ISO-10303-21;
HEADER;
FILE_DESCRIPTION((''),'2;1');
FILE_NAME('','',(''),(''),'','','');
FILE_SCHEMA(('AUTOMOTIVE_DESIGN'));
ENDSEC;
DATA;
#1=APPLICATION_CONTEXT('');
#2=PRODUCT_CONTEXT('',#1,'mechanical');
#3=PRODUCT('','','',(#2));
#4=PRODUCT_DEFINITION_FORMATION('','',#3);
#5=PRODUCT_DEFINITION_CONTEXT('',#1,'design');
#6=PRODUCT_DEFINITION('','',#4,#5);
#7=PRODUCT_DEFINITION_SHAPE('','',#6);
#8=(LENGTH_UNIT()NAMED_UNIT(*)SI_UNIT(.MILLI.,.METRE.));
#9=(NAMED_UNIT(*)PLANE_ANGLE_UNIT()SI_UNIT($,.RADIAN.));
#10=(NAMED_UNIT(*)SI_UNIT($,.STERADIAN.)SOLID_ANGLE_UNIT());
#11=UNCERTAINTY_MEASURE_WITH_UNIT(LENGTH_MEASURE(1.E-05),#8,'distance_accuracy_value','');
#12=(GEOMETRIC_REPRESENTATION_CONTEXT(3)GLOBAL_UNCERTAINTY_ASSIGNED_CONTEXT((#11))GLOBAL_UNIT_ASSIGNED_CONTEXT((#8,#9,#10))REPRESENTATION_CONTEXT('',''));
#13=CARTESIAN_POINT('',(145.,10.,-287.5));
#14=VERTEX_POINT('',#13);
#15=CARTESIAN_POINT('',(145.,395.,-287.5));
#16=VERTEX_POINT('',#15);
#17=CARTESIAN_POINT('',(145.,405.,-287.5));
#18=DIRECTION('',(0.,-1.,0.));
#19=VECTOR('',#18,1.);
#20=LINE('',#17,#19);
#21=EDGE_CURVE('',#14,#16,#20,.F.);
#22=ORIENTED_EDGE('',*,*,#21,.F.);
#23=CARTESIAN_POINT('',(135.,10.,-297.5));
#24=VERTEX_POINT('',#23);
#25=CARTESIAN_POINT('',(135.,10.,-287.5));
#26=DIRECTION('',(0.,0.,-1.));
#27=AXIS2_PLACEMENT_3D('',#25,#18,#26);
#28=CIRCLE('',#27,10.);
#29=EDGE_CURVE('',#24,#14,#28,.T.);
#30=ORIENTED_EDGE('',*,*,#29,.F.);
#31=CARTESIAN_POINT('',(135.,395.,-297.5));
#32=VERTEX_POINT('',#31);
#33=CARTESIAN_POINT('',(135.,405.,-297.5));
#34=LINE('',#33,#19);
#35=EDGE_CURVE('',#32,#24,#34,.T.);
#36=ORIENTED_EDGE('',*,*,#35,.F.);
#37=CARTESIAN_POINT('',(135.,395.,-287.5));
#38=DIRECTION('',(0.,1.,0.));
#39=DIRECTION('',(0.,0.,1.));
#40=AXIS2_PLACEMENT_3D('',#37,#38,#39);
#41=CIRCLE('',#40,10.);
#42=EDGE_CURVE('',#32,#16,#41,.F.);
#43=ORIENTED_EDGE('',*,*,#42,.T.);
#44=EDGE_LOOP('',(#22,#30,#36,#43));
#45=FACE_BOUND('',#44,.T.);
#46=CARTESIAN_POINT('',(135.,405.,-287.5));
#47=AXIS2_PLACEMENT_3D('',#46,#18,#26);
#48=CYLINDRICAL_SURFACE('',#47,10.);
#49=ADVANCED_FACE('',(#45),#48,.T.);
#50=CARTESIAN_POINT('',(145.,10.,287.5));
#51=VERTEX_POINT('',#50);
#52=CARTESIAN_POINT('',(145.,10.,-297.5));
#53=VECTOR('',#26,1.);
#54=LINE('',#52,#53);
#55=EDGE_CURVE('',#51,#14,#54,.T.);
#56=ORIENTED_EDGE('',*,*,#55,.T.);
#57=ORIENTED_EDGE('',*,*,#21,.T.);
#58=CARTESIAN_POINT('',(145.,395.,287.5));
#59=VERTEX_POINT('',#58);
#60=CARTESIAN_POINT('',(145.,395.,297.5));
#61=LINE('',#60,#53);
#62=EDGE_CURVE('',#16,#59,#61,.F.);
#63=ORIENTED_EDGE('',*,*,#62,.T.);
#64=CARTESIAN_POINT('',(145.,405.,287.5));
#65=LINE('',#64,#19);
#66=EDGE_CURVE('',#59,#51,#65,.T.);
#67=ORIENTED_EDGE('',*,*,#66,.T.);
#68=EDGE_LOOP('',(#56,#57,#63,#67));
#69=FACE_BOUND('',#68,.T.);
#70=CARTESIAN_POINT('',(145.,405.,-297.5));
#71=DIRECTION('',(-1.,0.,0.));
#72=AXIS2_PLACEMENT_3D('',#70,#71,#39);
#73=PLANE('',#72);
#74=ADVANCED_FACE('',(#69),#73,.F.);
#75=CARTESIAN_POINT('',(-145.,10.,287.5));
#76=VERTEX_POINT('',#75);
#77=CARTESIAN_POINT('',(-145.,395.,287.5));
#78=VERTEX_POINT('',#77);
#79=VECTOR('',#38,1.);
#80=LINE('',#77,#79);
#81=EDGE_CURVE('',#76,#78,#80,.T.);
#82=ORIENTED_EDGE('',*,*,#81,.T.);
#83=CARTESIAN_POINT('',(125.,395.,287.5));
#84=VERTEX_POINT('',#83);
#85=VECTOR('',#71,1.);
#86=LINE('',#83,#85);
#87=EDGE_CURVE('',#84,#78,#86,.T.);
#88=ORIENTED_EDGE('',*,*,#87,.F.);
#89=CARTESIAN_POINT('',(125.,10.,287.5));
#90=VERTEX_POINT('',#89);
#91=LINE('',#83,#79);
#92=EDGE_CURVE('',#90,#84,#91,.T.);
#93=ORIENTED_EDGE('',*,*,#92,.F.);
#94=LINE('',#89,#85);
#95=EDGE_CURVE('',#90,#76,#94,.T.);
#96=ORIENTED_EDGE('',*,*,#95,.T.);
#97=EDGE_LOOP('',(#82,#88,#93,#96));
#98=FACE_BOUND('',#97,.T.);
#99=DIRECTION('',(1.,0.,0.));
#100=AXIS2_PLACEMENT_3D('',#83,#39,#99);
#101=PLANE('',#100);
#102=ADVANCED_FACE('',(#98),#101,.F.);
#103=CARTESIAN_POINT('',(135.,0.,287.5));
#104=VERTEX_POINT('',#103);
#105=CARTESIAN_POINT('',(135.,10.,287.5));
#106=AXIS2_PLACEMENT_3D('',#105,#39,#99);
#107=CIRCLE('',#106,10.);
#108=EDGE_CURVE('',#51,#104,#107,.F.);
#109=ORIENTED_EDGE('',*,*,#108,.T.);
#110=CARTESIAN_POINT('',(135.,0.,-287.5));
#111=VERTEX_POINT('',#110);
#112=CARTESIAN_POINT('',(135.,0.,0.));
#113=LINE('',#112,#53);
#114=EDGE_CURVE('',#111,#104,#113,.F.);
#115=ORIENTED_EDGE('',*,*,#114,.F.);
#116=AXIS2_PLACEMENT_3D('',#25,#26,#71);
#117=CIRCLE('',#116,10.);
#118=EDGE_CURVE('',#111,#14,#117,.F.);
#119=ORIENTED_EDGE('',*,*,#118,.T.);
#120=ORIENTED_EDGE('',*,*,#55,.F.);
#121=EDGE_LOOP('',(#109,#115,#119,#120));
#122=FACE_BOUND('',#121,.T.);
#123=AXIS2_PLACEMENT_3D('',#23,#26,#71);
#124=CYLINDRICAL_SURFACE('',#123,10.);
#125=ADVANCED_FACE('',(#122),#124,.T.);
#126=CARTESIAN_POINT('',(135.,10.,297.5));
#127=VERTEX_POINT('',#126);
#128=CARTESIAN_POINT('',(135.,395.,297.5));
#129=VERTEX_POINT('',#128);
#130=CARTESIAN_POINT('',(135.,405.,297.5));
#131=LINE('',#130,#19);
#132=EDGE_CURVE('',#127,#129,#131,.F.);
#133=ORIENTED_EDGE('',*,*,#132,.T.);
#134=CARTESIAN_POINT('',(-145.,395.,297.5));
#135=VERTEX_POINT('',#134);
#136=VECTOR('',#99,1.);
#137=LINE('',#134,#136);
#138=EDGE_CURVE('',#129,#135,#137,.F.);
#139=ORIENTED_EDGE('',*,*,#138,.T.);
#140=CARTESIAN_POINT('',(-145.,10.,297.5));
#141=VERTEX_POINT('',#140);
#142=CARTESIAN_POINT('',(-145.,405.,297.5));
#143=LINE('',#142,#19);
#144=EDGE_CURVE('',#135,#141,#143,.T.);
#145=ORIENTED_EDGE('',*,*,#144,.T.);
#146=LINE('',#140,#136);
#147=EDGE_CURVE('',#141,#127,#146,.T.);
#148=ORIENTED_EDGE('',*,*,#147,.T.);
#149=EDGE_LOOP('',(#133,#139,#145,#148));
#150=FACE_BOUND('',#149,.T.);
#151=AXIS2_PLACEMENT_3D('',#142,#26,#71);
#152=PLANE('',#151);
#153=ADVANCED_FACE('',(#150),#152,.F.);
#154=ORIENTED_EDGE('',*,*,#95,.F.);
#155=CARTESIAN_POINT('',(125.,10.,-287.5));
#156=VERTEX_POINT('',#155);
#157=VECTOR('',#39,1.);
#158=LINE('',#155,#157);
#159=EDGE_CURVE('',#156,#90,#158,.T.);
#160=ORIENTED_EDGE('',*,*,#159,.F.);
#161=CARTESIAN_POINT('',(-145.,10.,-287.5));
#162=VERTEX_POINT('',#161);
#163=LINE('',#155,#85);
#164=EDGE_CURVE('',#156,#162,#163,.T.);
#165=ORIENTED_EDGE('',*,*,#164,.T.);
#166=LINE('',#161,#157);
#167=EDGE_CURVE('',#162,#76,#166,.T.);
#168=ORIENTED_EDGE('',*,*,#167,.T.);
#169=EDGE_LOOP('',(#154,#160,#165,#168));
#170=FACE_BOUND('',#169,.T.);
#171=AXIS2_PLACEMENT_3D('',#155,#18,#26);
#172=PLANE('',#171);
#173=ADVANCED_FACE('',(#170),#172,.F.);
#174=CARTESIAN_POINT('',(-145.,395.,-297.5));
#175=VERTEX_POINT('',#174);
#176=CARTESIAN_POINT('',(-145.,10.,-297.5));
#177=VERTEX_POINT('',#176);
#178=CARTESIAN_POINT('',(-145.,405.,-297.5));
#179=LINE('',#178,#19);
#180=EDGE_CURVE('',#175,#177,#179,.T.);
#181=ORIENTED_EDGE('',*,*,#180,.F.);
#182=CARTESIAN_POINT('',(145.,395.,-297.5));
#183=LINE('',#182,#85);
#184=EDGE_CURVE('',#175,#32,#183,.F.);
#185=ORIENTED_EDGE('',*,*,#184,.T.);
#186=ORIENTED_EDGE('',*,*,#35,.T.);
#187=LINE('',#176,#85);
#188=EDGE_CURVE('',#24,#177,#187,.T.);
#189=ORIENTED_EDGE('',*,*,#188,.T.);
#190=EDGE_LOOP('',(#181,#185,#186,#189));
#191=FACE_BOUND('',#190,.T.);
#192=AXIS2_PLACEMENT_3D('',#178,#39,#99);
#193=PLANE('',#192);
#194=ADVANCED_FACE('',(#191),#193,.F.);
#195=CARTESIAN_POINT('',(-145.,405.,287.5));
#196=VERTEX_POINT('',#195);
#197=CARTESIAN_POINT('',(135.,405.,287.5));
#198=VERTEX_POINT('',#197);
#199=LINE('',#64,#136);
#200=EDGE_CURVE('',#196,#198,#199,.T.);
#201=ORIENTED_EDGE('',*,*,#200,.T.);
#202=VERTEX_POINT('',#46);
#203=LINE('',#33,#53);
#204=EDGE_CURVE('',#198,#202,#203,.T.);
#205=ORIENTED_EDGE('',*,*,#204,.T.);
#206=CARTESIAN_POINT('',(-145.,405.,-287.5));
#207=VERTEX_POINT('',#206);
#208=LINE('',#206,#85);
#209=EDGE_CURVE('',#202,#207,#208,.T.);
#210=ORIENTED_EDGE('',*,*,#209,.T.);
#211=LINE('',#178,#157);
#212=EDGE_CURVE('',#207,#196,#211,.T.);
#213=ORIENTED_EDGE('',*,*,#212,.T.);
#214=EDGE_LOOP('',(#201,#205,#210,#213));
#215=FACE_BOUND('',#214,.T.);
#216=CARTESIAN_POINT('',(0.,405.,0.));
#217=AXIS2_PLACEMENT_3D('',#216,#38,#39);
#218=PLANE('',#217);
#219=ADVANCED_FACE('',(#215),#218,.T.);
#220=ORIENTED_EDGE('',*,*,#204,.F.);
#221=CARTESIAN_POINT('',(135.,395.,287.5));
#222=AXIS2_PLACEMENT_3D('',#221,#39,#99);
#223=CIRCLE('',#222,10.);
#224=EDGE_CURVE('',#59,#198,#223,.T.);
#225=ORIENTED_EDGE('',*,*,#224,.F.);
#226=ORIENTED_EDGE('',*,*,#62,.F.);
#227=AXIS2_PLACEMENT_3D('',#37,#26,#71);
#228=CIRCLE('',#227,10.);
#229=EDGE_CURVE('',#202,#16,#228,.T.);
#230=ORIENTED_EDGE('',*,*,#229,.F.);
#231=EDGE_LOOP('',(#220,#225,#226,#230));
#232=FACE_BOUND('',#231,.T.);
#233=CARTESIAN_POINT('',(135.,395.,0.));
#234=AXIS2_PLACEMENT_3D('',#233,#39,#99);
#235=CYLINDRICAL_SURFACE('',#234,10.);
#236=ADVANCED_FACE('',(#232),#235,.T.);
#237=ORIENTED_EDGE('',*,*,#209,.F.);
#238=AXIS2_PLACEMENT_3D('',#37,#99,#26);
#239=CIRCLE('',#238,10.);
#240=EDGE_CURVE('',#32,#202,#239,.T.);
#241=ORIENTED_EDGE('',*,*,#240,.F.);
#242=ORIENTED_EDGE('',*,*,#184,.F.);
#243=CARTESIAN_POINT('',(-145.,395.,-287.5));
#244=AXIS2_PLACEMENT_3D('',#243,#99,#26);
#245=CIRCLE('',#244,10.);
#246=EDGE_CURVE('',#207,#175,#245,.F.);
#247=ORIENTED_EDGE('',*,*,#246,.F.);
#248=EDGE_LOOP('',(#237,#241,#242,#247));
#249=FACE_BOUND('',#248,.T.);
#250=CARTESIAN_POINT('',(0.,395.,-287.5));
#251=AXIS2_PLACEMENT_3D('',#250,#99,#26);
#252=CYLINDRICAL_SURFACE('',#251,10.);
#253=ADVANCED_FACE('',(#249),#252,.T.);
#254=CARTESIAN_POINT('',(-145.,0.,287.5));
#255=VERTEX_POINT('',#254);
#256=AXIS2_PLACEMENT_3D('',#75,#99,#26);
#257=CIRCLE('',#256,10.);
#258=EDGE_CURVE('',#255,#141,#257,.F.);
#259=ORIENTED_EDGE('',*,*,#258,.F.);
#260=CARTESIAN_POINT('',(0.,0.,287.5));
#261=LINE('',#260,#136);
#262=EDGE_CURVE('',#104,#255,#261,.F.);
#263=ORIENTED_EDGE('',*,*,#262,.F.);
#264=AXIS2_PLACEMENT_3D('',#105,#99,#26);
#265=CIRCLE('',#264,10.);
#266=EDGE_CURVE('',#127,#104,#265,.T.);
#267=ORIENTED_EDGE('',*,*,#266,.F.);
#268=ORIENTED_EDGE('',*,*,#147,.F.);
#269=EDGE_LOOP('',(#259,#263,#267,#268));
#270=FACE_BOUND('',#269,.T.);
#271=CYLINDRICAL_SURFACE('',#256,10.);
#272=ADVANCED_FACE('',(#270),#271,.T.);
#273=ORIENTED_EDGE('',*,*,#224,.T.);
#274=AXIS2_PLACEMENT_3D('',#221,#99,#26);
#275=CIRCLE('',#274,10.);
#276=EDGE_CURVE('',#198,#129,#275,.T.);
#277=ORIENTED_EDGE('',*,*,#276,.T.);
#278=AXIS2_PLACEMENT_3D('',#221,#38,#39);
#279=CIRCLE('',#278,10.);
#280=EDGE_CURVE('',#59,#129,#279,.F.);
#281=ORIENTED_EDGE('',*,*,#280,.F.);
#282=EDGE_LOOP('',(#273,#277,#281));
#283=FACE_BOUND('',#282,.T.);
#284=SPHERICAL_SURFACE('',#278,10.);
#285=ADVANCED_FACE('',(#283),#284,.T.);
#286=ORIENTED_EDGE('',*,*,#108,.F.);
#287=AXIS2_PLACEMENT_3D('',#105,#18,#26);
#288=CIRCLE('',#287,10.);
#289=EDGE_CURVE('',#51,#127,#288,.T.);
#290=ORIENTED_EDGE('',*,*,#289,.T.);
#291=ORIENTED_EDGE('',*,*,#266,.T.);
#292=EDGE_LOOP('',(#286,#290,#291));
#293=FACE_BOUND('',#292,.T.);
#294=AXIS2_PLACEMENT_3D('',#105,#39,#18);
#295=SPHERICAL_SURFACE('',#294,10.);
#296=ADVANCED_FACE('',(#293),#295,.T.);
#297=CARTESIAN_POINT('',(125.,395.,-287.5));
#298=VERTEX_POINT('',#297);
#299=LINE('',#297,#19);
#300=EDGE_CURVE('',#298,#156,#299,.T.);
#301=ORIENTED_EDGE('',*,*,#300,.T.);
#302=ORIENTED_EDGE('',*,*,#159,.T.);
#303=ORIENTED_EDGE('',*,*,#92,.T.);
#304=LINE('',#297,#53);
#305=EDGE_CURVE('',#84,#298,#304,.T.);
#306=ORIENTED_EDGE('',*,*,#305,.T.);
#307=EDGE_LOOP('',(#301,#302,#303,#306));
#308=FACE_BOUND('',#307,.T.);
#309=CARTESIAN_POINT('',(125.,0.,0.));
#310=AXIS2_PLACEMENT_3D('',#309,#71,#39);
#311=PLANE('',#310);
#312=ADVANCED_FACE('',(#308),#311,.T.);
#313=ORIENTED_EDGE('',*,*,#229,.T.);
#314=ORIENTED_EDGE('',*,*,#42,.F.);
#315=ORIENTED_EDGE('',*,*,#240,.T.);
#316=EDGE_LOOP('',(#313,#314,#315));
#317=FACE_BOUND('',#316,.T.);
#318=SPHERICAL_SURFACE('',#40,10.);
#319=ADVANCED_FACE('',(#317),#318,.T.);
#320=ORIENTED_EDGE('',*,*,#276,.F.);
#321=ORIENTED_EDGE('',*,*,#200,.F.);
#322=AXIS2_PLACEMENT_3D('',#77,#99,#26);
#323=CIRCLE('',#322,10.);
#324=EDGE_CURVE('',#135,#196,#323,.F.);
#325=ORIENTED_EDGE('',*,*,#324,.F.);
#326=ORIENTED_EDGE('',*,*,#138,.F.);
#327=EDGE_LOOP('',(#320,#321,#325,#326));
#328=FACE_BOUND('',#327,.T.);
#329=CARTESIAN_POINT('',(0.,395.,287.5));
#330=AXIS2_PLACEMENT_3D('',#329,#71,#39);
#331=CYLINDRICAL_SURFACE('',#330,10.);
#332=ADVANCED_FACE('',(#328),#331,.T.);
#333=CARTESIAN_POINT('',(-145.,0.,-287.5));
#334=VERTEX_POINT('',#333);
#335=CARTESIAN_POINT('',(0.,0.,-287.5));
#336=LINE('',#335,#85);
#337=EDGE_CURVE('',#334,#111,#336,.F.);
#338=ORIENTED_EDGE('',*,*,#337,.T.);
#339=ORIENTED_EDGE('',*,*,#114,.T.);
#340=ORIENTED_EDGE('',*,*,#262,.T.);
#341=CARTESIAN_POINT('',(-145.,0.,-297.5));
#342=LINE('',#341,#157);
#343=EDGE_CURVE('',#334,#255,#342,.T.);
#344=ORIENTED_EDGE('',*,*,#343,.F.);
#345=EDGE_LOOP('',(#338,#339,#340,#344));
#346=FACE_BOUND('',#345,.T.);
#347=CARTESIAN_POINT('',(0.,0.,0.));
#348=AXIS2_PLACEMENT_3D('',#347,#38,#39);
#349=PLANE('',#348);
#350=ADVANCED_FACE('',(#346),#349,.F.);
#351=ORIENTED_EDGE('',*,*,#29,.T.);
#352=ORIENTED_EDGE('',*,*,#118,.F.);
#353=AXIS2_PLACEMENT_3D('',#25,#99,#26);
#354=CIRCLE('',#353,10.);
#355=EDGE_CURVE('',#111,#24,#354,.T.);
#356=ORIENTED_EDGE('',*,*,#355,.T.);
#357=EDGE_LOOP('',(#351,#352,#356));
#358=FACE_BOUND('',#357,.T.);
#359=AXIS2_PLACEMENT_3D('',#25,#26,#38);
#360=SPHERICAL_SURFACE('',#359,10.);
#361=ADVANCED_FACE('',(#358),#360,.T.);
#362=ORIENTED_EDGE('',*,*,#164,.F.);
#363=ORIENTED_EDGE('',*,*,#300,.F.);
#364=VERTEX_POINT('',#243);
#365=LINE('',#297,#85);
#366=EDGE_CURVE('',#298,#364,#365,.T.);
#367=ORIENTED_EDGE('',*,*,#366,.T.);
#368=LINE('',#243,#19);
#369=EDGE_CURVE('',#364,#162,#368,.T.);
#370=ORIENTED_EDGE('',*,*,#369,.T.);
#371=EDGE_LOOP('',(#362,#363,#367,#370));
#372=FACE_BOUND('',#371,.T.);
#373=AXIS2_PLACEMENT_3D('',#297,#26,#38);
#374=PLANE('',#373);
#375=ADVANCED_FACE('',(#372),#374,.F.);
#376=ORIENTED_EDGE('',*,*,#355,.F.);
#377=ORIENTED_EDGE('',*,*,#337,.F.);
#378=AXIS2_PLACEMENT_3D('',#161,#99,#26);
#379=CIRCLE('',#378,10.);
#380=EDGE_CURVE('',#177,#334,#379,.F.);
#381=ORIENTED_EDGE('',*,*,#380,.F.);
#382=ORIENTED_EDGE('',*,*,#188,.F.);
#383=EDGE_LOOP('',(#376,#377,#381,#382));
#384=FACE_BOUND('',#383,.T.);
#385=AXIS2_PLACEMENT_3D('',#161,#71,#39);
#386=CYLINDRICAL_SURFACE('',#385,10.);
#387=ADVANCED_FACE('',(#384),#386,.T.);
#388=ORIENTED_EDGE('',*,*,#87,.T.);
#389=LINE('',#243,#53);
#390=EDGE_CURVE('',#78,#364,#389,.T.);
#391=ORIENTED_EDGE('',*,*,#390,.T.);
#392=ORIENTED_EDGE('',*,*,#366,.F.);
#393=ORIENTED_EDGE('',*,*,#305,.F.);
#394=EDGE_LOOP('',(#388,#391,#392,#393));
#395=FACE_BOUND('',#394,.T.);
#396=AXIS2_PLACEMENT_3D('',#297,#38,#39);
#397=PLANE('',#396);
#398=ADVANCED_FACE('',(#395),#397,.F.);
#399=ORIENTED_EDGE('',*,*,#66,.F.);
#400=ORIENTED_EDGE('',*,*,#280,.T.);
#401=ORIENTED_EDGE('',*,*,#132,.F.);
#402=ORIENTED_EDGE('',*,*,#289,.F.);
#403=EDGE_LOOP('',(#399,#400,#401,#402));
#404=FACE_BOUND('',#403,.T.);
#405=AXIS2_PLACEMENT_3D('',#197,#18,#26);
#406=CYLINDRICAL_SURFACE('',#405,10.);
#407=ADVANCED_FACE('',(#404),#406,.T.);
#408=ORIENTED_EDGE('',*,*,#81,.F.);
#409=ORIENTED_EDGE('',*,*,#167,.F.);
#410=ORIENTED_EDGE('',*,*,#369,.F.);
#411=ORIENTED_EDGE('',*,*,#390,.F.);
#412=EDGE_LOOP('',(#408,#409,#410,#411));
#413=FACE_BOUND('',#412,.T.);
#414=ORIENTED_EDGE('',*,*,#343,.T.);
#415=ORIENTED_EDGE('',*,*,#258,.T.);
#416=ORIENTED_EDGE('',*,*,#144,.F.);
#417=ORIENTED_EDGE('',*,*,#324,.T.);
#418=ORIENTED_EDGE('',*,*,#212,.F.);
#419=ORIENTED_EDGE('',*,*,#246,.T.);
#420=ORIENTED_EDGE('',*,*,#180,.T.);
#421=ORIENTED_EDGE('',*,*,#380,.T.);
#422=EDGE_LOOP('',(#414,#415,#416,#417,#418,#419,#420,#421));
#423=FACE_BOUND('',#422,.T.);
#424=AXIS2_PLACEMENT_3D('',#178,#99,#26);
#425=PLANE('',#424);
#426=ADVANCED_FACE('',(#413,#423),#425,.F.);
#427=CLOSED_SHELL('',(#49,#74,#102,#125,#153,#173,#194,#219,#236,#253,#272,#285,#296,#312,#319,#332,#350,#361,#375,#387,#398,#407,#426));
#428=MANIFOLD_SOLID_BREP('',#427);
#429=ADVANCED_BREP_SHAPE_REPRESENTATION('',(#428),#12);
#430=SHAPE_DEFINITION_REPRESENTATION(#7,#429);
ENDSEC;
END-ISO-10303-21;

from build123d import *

# Parameters (mm, degrees)
SKETCH1_W           = 290
SKETCH1_H           = 595
BOSS_EXTRUDE2_DEPTH = 405
FILLET3_R           = 10
SKETCH3_W           = 575
SKETCH3_H           = 385
CUT_EXTRUDE2_DEPTH  = 270


with BuildPart() as part:
    # Sketch1 → Boss-Extrude2 (new body)
    with BuildSketch(Plane(origin=(0, 0, 0), x_dir=(1, 0, 0), z_dir=(0, 1, 0))):
        Rectangle(SKETCH1_W, SKETCH1_H)
    extrude(amount=BOSS_EXTRUDE2_DEPTH)

    # Fillet3
    fillet3_edges = [part.edges().sort_by_distance(p)[0] for p in [
        (0, 405, 297.5),
        (145, 405, 0),
        (0, 0, 297.5),
        (0, 0, -297.5),
        (145, 0, 0),
        (145, 202.5, 297.5),
        (145, 202.5, -297.5),
        (0, 405, -297.5),
    ]]
    fillet(fillet3_edges, radius=FILLET3_R)

    # Sketch3 → Cut-Extrude2 (cut)
    with BuildSketch(Plane.ZY.offset(145)):
        with Locations((0, 202.5)):
            Rectangle(SKETCH3_W, SKETCH3_H)
    extrude(amount=-CUT_EXTRUDE2_DEPTH, mode=Mode.SUBTRACT)


solid = part.part
